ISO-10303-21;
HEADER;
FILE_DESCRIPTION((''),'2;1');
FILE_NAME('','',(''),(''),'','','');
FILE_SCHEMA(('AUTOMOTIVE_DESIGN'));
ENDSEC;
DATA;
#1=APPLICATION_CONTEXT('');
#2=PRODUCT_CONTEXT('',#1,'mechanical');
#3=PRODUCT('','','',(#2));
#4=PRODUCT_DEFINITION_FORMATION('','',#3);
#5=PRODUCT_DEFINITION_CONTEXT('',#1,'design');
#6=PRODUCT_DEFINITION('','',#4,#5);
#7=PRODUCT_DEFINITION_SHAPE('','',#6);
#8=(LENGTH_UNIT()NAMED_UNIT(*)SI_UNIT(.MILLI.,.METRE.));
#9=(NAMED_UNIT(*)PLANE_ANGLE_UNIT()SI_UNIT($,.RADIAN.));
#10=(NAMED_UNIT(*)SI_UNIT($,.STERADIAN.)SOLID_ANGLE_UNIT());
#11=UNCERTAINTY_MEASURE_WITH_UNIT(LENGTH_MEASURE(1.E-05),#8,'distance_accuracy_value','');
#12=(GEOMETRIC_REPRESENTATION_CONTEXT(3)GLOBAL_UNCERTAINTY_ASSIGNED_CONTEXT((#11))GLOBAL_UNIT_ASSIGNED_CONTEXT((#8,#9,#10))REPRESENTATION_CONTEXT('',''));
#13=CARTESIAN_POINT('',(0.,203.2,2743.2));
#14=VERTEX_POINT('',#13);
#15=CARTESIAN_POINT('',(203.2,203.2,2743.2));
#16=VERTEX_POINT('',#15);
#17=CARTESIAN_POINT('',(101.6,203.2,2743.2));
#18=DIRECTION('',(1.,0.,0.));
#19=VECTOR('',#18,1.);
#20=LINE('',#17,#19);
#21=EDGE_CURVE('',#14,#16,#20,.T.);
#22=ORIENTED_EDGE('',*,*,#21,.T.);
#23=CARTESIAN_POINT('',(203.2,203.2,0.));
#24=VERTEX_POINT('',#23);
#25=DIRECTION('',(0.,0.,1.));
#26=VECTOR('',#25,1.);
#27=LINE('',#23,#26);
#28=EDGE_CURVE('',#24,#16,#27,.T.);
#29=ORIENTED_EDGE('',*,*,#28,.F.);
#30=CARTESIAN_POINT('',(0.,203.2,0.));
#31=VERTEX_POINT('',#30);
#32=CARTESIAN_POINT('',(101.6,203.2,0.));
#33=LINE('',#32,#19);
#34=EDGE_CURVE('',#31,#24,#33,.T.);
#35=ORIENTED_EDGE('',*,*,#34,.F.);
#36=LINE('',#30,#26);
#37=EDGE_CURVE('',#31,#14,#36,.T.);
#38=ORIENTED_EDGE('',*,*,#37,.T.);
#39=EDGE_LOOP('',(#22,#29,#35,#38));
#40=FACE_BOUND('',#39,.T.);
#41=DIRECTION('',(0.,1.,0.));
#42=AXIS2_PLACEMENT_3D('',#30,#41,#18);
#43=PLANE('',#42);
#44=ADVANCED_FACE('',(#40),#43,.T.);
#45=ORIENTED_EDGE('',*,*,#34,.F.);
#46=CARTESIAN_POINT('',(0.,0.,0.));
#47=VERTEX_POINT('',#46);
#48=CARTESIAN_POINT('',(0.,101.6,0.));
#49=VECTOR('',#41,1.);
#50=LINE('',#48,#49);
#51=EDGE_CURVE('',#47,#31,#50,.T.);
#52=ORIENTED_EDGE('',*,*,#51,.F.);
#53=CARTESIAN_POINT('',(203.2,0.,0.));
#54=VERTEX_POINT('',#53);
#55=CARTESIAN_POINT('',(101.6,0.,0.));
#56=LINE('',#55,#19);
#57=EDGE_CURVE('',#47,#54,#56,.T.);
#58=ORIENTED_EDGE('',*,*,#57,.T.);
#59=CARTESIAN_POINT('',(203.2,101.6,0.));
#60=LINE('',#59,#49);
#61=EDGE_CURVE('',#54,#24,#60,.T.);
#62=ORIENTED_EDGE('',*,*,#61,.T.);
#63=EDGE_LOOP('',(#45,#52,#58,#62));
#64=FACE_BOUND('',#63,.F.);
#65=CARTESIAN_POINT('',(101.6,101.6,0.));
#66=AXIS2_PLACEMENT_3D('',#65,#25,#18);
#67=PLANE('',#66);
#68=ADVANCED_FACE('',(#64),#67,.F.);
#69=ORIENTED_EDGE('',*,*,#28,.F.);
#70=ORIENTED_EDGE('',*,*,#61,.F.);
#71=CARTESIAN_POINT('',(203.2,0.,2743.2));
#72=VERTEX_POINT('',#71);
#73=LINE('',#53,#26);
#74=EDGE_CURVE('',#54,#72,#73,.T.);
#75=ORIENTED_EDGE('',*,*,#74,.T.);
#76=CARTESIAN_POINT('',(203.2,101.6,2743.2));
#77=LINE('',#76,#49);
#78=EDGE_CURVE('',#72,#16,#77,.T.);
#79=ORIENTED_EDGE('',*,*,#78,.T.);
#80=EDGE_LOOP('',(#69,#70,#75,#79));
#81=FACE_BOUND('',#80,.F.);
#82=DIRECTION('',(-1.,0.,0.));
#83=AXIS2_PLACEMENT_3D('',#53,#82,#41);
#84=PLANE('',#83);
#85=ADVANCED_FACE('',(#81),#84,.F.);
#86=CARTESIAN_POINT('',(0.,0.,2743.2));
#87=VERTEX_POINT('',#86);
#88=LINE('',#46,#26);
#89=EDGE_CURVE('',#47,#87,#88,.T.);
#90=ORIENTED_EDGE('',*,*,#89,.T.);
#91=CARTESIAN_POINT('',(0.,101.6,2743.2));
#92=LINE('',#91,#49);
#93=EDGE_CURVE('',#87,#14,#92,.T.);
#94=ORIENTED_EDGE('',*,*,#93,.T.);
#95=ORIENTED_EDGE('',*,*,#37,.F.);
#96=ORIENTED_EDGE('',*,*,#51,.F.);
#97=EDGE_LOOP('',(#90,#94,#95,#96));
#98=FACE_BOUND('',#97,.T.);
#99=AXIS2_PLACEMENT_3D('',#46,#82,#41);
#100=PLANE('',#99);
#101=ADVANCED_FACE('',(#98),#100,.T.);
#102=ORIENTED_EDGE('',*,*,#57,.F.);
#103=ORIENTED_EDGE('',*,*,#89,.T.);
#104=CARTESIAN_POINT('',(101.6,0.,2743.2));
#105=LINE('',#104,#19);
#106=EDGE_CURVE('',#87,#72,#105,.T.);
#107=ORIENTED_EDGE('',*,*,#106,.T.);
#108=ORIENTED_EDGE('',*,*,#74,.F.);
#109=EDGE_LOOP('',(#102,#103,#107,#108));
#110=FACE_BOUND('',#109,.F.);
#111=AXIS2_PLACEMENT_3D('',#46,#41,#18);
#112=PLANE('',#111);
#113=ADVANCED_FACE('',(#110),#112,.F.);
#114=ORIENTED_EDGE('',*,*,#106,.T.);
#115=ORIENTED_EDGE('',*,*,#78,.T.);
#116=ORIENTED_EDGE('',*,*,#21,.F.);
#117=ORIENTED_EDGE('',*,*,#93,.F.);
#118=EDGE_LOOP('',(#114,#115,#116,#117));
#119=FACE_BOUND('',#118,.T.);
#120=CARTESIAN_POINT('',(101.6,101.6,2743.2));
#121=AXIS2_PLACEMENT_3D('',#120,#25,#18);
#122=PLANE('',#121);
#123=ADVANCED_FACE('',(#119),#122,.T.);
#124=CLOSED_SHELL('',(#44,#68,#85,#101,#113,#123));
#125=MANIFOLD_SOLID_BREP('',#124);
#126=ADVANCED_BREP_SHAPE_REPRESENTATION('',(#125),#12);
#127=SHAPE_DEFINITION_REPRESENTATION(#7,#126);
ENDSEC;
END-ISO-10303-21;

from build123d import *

# Parameters (mm, degrees)
SKETCH_W  = 203.2
SKETCH_H  = 203.2
PAD_DEPTH = 2743.2


with BuildPart() as part:
    # Sketch → Pad (new body)
    with BuildSketch(Plane.XY):
        with Locations((101.6, 101.6)):
            Rectangle(SKETCH_W, SKETCH_H)
    extrude(amount=PAD_DEPTH)


solid = part.part
